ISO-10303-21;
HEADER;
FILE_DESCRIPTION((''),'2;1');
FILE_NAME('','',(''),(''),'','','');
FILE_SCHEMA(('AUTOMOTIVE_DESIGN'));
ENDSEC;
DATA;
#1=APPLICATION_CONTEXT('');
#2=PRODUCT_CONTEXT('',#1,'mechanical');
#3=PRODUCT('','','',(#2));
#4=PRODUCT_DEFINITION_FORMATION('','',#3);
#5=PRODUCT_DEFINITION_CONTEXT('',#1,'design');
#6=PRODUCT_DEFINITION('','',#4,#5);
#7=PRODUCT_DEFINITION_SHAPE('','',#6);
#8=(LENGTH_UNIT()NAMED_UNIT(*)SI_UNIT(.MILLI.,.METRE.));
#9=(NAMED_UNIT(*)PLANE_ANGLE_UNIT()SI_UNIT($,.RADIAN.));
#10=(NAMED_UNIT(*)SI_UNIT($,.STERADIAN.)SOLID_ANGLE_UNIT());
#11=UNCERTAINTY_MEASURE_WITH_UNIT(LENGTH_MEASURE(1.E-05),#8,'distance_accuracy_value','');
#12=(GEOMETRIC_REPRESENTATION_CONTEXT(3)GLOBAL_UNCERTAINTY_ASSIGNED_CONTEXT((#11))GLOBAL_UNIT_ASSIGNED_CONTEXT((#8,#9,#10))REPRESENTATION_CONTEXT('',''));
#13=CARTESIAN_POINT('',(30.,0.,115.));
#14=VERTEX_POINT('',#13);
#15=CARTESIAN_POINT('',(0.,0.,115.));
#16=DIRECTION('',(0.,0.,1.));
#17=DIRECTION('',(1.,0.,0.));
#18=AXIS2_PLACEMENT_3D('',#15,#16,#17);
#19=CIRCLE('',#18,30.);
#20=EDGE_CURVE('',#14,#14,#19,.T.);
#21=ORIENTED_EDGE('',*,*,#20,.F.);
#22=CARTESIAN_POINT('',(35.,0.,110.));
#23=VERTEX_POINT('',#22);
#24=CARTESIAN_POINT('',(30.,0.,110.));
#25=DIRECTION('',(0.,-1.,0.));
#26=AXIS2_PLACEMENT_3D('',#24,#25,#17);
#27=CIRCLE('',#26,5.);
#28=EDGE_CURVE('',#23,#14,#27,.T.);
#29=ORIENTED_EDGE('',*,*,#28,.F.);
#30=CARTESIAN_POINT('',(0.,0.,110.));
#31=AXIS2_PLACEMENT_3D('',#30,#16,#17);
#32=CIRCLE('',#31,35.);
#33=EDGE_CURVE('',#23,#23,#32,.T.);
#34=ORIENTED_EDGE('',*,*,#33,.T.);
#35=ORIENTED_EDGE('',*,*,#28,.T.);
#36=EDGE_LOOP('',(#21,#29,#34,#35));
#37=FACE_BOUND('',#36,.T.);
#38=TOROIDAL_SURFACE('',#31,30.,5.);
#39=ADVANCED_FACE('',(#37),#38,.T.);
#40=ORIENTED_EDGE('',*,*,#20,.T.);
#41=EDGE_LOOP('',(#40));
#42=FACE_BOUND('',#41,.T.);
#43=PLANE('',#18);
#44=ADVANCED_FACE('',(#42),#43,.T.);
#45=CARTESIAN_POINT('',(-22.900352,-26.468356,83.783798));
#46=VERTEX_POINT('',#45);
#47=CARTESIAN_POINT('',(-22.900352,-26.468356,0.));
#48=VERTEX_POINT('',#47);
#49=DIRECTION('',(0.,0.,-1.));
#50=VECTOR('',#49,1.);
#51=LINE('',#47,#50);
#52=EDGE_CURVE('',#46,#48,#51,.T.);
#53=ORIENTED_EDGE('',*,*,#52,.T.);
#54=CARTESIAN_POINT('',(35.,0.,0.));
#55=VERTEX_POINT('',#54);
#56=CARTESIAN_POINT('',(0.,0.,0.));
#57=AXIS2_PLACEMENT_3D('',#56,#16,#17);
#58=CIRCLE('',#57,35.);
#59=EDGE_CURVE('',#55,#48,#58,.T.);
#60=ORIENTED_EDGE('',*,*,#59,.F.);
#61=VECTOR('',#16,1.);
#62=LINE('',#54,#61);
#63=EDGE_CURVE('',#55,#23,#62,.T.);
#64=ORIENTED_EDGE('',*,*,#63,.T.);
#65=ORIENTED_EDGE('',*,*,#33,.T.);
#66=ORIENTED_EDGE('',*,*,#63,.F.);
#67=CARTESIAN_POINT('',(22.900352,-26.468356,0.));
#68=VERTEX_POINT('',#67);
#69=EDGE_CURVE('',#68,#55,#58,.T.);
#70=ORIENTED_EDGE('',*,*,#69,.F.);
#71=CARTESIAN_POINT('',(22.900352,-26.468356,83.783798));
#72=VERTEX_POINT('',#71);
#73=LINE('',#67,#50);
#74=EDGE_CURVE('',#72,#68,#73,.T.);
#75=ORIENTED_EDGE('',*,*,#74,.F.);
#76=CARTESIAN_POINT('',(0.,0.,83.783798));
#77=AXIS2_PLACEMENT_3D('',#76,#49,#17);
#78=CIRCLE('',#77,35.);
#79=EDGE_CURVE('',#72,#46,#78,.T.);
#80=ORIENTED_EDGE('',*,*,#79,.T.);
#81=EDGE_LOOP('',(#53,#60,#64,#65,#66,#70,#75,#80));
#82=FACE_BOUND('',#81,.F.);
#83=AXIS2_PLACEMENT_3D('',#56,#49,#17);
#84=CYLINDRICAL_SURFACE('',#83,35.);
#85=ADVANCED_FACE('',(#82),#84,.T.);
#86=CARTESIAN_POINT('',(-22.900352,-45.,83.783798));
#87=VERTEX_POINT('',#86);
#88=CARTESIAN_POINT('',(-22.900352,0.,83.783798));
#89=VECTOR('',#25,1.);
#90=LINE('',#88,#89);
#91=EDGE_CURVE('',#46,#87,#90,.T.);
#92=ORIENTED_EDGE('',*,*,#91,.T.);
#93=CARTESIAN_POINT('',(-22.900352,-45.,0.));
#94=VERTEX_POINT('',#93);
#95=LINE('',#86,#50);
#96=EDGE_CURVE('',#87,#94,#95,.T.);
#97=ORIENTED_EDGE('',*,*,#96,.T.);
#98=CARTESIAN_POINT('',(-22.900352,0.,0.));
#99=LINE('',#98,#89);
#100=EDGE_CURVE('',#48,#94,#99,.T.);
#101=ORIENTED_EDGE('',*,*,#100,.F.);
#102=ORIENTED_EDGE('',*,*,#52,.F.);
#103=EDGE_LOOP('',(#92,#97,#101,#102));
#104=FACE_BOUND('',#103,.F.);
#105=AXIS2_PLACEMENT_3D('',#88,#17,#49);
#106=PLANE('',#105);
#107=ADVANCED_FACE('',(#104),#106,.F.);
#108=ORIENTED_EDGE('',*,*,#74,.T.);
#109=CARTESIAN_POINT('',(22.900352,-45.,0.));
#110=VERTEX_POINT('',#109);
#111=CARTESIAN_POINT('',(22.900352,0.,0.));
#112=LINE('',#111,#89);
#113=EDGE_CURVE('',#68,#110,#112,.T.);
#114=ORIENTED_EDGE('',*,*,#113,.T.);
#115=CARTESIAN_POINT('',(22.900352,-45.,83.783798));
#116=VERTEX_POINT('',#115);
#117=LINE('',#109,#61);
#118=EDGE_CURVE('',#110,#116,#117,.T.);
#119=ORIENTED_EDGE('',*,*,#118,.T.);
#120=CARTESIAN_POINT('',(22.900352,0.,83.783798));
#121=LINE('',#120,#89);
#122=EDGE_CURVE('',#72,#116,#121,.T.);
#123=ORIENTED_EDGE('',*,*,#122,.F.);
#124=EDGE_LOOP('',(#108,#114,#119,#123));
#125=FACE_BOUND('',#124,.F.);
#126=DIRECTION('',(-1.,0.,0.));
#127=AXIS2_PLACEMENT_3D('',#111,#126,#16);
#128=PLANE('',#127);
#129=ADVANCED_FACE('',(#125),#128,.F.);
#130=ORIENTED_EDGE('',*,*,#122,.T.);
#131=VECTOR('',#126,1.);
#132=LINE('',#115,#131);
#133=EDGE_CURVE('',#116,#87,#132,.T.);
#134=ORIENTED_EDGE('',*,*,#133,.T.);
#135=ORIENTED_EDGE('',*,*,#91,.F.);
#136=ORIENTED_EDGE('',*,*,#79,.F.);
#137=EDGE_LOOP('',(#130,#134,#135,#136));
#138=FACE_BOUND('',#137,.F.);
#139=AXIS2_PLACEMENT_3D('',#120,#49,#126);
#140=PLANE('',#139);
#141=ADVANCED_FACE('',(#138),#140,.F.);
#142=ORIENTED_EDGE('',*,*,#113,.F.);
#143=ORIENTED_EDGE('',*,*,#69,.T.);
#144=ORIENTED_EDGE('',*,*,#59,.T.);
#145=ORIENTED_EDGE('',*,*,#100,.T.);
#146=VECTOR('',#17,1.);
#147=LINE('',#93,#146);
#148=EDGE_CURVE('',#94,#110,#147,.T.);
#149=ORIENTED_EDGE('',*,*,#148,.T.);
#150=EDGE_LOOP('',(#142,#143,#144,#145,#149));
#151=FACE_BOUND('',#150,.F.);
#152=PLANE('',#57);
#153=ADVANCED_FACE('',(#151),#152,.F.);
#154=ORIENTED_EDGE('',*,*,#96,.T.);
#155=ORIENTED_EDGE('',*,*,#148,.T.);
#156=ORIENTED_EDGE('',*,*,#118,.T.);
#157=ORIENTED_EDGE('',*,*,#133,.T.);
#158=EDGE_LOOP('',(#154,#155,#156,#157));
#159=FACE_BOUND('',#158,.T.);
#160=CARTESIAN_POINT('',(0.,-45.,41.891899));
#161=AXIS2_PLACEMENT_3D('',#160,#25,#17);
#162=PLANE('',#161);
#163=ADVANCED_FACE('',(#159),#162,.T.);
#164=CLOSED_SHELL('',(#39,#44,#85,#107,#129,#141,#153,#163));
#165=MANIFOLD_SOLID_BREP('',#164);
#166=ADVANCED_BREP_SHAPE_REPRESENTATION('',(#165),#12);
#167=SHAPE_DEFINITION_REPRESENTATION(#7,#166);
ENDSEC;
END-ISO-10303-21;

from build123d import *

# Parameters (mm, degrees)
F0_R     = 35
F1_DEPTH = 115
F2_R     = 5
F4_DEPTH = 45


with BuildPart() as f1:
    # F0 (on Top) → F1 (new body)
    with BuildSketch(Plane.XY):
        Circle(F0_R)
    extrude(amount=F1_DEPTH)

    # F2
    f2_edges = [f1.edges().sort_by_distance(p)[0] for p in [
        (-35, 0, 115),
    ]]
    fillet(f2_edges, radius=F2_R)

    # F3 (on Front) → F4 (join)
    with BuildSketch(Plane.XZ):
        Polygon((22.900352, 83.783798), (-22.900352, 83.783798), (-22.900352, 28.148592), (-22.900352, 0), (22.900352, 0), (22.900352, 28.148592), align=None)
    extrude(amount=F4_DEPTH)


solid = f1.part
